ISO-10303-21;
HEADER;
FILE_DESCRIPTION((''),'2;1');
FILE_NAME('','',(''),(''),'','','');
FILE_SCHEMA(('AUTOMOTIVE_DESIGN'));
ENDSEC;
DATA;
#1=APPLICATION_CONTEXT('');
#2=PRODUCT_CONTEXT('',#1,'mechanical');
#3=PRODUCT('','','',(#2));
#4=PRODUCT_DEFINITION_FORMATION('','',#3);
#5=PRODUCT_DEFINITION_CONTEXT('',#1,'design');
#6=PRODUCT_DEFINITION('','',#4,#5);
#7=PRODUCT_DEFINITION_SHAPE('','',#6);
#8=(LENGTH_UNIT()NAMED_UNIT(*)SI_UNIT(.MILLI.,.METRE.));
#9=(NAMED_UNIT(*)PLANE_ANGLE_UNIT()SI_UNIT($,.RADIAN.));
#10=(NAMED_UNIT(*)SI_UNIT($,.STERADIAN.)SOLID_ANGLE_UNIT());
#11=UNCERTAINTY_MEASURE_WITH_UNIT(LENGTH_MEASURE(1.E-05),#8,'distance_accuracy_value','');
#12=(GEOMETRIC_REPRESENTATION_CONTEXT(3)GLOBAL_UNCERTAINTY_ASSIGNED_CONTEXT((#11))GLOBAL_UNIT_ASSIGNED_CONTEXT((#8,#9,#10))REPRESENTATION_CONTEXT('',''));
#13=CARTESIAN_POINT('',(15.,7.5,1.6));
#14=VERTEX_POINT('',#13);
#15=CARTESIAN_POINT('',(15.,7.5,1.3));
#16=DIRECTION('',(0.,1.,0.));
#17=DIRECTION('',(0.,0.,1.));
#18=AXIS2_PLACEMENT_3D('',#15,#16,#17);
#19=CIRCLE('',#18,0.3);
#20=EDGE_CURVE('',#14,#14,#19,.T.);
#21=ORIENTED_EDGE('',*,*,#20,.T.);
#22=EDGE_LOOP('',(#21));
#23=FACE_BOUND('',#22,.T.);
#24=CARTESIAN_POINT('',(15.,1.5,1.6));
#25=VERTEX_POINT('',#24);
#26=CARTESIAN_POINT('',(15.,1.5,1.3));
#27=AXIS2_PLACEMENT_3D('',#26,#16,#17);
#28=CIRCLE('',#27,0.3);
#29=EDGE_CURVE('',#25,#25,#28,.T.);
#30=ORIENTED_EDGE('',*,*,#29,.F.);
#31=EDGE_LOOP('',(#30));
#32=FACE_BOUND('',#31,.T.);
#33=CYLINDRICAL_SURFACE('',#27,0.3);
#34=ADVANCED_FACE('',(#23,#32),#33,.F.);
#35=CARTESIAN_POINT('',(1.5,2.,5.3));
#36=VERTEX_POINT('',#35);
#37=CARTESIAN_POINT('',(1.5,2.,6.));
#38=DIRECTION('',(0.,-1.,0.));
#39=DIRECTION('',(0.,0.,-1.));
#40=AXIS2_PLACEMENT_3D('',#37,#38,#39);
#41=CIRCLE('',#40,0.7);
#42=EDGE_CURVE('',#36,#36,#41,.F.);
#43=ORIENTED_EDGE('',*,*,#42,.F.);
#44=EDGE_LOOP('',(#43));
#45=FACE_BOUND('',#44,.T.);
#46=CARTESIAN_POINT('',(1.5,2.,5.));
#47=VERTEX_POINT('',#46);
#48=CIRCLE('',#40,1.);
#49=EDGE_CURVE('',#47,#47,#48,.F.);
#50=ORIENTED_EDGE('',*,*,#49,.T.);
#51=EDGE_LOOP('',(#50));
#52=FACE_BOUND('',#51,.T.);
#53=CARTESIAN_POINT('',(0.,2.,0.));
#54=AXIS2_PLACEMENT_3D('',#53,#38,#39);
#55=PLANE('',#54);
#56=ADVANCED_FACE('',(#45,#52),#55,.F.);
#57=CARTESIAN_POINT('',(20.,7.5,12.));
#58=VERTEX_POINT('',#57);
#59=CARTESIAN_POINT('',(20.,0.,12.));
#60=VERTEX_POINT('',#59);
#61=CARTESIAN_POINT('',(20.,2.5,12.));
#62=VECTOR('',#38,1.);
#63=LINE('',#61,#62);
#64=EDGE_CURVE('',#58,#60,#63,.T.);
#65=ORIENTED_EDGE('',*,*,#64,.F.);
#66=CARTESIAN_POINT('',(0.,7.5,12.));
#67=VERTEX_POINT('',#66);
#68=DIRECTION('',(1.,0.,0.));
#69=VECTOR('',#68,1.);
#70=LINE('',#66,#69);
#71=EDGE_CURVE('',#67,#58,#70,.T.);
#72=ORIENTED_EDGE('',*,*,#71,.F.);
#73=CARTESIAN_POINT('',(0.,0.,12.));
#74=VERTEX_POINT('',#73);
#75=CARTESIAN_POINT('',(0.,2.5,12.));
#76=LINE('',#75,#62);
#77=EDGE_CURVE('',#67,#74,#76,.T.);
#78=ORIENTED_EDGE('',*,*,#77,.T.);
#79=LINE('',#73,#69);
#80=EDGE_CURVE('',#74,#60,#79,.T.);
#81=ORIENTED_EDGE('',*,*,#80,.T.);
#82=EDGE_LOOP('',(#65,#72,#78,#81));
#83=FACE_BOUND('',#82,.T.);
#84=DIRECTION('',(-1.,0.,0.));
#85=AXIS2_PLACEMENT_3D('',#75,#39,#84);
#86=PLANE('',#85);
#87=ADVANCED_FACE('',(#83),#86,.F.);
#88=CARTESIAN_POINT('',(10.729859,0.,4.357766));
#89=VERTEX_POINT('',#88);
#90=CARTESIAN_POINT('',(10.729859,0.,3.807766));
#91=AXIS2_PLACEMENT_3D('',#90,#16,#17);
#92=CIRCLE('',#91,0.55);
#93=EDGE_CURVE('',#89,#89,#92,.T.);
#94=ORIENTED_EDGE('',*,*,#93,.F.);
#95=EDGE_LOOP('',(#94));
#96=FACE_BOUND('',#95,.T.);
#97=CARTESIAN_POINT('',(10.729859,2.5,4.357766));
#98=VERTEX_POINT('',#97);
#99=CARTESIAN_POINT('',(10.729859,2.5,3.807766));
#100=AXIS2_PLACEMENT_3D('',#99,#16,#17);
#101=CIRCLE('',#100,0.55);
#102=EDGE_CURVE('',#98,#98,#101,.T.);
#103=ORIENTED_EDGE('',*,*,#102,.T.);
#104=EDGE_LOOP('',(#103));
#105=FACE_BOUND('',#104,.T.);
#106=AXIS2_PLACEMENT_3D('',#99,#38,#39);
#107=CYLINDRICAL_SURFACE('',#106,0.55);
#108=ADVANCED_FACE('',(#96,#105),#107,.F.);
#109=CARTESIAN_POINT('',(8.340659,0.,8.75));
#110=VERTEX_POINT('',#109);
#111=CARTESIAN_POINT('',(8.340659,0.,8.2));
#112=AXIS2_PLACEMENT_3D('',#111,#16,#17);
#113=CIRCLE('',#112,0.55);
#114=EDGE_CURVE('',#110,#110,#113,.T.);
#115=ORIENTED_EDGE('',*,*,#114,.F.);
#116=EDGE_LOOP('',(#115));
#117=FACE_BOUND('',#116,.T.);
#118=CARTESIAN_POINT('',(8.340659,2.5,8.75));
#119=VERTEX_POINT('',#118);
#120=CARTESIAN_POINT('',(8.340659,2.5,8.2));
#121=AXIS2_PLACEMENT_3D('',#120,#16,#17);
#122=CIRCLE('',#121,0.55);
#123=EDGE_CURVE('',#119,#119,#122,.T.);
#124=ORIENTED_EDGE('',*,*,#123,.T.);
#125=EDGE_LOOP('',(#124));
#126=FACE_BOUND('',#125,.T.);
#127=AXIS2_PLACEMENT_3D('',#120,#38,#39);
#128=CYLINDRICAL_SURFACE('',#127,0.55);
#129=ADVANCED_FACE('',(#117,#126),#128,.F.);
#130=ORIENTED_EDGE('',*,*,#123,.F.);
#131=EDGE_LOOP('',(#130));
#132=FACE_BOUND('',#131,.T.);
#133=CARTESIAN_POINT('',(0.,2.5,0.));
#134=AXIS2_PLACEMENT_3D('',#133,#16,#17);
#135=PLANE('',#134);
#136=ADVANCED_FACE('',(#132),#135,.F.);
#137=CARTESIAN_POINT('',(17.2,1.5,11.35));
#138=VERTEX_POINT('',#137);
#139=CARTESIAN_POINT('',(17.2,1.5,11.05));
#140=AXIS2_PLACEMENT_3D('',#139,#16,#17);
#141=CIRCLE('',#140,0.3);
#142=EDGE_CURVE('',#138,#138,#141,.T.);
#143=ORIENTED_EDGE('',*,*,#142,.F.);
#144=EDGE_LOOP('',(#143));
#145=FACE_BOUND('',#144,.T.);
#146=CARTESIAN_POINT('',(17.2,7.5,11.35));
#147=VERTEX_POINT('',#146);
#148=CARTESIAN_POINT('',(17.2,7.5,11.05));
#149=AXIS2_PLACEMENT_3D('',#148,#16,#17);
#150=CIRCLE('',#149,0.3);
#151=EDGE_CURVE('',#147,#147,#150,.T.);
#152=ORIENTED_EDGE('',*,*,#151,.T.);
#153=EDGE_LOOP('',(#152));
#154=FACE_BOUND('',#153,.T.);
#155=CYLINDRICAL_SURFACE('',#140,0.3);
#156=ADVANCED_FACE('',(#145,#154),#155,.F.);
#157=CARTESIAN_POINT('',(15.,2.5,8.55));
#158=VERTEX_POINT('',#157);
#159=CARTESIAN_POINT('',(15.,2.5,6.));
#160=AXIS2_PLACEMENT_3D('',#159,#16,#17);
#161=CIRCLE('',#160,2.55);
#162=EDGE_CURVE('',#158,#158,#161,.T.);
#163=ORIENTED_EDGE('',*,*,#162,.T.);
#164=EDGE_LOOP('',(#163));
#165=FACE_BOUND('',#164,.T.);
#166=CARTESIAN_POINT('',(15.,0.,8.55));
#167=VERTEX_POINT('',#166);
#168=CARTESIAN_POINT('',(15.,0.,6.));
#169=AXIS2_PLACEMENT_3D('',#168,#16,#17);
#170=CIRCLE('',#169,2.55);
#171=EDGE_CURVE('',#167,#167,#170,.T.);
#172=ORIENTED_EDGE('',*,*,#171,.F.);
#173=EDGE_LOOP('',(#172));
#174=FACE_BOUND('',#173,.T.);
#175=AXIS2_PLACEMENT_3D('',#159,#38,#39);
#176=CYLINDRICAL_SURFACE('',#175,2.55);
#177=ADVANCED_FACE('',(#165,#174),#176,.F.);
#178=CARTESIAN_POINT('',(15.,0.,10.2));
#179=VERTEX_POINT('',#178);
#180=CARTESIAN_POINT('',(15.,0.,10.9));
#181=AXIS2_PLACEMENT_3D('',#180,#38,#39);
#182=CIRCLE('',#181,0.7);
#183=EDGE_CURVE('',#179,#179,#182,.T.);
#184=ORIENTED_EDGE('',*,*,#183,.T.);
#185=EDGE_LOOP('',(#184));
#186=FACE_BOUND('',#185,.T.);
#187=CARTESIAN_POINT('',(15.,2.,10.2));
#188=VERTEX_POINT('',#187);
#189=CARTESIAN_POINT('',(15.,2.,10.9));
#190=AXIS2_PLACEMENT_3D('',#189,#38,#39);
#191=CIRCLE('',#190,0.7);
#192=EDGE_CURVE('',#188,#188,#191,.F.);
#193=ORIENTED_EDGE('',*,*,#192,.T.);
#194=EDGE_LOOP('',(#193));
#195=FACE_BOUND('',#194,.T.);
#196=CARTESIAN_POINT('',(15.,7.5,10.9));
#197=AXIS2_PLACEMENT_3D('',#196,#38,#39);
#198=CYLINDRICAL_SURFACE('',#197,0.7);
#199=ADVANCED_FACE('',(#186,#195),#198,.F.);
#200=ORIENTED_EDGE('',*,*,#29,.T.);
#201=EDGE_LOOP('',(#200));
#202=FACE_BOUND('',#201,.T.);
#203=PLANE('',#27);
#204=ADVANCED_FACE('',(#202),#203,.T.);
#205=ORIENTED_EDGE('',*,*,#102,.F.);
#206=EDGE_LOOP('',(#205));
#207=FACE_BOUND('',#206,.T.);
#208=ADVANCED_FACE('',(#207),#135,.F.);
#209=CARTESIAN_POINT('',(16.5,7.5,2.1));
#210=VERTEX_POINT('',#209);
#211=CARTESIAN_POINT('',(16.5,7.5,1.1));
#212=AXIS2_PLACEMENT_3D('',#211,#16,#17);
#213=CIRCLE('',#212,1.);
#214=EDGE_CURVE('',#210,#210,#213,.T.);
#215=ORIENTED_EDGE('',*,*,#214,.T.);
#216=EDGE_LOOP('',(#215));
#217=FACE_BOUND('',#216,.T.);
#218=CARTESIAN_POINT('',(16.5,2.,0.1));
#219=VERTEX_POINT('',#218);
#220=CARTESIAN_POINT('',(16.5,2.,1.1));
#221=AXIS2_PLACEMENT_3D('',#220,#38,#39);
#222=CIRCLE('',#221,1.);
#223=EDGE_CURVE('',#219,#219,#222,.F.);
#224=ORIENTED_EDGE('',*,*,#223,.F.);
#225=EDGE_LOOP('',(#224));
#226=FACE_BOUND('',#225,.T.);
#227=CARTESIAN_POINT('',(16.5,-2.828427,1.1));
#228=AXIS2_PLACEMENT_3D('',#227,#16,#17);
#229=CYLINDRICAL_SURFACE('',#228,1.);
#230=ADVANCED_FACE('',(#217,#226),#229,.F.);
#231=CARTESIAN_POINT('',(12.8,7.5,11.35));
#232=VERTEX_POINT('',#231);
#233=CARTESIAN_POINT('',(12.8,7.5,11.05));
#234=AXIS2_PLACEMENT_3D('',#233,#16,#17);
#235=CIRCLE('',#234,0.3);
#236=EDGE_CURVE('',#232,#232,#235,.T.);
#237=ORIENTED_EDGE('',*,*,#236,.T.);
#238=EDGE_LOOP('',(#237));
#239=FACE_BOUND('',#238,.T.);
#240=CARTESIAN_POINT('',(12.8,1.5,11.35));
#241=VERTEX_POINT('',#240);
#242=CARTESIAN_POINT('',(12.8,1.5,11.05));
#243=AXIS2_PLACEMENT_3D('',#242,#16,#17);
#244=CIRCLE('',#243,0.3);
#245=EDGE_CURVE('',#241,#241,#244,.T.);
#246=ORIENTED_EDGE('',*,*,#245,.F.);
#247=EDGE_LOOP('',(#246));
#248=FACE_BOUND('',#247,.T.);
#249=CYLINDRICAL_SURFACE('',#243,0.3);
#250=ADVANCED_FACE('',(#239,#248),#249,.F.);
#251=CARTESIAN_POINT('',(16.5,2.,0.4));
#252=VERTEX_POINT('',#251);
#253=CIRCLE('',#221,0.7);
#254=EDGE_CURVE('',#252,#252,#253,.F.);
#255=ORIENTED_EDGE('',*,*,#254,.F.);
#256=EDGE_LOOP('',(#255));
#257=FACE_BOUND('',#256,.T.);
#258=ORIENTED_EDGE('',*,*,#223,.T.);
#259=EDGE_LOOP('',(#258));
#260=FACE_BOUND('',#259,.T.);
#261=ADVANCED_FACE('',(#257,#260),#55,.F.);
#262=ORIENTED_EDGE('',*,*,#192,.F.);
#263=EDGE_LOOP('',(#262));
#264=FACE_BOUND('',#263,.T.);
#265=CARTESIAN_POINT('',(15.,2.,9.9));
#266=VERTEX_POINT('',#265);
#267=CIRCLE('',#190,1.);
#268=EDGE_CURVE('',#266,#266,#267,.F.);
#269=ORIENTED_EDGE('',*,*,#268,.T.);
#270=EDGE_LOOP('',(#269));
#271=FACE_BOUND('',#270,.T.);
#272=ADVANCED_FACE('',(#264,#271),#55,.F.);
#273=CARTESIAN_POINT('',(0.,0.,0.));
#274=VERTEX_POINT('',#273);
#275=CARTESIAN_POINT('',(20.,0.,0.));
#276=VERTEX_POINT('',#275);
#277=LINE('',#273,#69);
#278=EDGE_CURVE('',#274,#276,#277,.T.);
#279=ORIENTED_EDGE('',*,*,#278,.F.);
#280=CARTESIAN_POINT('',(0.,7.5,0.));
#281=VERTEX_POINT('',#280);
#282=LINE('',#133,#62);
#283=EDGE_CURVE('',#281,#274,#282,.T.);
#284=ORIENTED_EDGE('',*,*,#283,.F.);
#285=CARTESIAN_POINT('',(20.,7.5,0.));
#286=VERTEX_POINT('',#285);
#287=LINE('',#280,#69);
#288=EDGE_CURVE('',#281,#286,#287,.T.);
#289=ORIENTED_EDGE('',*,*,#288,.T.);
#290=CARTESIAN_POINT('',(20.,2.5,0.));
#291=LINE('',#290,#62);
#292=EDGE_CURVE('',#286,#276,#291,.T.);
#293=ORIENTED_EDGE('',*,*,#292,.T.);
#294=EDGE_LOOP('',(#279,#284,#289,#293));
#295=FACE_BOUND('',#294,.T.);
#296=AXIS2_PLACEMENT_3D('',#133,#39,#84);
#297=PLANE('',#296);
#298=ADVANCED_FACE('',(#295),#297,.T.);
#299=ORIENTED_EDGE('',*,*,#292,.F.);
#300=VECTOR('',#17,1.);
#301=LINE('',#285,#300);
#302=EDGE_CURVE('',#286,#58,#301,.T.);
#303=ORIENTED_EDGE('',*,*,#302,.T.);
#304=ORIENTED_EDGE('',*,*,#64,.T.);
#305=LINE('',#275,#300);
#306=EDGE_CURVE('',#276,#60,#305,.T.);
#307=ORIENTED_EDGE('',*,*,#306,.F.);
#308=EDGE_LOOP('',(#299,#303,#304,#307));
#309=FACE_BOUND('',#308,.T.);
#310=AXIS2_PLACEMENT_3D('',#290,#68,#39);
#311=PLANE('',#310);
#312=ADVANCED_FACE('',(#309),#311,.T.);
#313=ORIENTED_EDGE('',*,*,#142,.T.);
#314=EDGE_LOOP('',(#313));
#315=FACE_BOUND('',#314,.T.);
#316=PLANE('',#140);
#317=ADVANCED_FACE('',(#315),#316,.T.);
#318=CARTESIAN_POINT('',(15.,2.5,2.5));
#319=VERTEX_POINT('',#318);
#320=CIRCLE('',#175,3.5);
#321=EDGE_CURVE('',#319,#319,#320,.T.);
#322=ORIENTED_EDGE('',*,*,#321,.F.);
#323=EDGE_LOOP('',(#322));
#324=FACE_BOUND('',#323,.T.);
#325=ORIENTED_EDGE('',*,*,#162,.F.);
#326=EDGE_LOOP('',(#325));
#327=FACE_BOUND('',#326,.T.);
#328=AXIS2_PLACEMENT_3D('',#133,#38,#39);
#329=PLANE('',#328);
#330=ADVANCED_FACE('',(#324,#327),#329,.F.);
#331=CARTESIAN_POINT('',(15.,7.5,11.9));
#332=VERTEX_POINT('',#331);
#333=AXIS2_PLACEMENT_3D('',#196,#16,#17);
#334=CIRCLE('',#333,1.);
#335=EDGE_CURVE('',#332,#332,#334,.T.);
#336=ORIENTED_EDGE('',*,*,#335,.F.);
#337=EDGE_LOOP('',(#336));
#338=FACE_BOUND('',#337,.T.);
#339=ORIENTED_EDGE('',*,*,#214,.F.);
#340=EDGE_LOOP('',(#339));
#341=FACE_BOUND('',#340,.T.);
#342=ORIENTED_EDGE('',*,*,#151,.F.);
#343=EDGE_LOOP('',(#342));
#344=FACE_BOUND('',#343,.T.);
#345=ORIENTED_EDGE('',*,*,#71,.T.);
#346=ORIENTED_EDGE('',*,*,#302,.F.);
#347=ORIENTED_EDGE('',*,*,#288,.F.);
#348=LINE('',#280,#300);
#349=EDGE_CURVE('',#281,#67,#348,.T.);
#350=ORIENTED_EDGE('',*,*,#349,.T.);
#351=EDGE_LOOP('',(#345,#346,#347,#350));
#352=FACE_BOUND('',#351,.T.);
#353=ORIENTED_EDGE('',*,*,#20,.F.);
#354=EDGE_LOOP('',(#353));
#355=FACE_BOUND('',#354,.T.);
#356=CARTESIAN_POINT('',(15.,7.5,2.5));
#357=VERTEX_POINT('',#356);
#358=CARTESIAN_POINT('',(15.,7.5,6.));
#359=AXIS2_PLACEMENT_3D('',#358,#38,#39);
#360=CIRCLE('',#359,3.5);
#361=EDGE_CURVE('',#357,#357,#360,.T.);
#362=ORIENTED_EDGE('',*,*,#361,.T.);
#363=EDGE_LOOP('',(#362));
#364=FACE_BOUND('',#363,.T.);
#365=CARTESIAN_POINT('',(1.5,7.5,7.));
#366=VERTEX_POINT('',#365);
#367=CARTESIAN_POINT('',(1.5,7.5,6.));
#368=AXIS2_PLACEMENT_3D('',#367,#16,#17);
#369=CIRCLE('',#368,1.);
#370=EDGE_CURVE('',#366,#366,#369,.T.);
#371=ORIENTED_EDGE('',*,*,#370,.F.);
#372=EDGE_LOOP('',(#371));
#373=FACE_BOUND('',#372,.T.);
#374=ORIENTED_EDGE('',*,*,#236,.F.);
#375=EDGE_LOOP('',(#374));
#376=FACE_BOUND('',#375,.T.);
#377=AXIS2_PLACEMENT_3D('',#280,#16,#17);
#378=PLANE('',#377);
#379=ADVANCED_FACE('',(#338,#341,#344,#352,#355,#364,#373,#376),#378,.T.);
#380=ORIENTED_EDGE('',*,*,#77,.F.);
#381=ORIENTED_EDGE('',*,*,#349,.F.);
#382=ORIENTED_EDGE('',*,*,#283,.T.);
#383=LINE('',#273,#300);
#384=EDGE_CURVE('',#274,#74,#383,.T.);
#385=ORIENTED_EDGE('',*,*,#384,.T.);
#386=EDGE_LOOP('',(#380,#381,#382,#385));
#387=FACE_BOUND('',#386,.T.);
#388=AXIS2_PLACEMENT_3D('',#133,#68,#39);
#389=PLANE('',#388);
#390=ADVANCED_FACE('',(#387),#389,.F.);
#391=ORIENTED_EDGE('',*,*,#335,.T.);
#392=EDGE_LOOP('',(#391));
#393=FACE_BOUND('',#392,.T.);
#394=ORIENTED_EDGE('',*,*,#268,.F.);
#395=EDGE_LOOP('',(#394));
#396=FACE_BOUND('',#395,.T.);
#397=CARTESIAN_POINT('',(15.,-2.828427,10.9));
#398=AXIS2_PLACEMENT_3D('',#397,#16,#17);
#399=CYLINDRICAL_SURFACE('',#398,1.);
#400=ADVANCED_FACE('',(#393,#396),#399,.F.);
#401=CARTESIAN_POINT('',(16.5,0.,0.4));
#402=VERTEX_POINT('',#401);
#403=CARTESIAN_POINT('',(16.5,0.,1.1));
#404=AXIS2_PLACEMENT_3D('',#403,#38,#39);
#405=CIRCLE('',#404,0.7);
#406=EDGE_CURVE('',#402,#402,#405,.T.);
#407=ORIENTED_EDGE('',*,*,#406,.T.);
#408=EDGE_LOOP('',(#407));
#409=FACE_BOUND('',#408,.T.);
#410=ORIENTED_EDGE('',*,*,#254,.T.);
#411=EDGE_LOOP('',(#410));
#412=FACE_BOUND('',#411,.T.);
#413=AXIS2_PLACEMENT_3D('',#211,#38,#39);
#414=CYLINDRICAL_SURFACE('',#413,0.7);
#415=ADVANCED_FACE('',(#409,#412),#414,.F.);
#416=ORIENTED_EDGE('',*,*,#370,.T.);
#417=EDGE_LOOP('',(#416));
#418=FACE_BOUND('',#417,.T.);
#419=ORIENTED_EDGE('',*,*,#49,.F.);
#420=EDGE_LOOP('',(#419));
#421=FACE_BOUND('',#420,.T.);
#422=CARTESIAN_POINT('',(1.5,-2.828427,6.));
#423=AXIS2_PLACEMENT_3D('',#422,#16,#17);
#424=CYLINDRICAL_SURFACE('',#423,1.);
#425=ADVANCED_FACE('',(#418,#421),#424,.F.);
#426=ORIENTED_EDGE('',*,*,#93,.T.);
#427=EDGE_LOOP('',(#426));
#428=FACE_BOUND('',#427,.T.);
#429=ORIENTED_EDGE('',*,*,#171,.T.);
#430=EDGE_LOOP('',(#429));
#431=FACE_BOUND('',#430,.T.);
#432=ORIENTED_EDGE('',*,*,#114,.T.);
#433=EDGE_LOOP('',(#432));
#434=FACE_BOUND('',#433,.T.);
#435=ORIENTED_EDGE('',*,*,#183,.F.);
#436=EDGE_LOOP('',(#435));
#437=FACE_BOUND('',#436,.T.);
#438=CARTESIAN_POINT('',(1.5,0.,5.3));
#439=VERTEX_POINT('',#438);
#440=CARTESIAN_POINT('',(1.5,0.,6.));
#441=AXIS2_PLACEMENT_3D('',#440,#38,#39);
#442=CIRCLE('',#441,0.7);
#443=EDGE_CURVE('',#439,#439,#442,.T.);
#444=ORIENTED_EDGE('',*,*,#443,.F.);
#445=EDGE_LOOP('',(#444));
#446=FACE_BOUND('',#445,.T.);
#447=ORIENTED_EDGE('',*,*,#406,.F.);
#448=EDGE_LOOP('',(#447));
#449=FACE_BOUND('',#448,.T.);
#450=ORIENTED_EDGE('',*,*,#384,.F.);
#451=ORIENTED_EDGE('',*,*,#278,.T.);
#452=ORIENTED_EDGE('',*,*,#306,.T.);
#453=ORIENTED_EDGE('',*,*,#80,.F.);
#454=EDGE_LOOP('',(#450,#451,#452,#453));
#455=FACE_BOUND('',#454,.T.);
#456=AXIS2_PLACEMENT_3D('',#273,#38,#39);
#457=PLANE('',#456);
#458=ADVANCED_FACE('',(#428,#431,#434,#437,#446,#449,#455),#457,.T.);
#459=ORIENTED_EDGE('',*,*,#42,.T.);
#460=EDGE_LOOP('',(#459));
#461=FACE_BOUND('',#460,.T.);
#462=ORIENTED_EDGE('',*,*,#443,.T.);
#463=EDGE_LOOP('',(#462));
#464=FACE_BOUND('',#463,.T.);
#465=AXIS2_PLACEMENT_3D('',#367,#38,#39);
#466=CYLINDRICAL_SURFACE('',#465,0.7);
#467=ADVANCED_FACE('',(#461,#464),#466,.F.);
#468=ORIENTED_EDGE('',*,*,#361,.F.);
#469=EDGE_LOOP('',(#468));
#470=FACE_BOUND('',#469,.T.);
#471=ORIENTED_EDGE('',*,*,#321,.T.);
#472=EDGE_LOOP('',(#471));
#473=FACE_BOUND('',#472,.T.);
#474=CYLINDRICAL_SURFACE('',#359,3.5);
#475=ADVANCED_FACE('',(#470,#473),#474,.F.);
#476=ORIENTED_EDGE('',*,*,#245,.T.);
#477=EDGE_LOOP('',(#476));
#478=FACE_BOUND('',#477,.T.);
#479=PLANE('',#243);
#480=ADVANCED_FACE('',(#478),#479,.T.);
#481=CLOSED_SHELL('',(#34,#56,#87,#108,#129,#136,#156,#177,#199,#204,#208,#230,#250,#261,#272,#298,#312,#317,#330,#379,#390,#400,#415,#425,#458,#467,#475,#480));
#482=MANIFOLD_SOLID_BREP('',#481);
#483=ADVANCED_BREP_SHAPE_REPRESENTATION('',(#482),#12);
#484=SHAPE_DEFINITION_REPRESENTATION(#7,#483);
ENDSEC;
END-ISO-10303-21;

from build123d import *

# Parameters (mm, degrees)
SKETCH_1_W          = 20
SKETCH_1_H          = 12
EXTRUDE_1_DEPTH     = 2.5
SKETCH_1_9_R        = 0.55
SKETCH_1_9_R_2      = 2.55
CUT_EXTRUDE_3_DEPTH = 2.5
EXTRUDE_START       = 2.5
SKETCH_1_10_W       = 20
SKETCH_1_10_H       = 12
SKETCH_1_10_R       = 3.5
EXTRUDE_2_DEPTH     = 5
SKETCH_2_R          = 0.7
CUT_EXTRUDE_4_DEPTH = 25.5
CUT_EXTRUDE_START   = -7.5
SKETCH_2_3_R        = 1
CUT_EXTRUDE_5_DEPTH = 5.5
SKETCH_2_6_R        = 0.3
CUT_EXTRUDE_6_DEPTH = 6


with BuildPart() as part:
    # 草图1 → 凸台-拉伸1 (new body)
    with BuildSketch(Plane(origin=(0, 0, 0), x_dir=(1, 0, 0), z_dir=(0, 1, 0))):
        with Locations((10, -6)):
            Rectangle(SKETCH_1_W, SKETCH_1_H)
    extrude(amount=EXTRUDE_1_DEPTH)

    # 草图1<9> → 切除-拉伸3 (cut)
    with BuildSketch(Plane(origin=(0, 0, 0), x_dir=(1, 0, 0), z_dir=(0, 1, 0))):
        with Locations(Location((8.340658618, -8.2, 0), (0, 0, 270))):
            Circle(SKETCH_1_9_R)
        with Locations(Location((10.72985855, -3.807765525, 0), (0, 0, 270))):
            Circle(SKETCH_1_9_R)
        with Locations(Location((15, -6, 0), (0, 0, 270))):
            Circle(SKETCH_1_9_R_2)
    extrude(amount=CUT_EXTRUDE_3_DEPTH, mode=Mode.SUBTRACT)

    # 草图1<10> → 凸台-拉伸2 (add)
    with BuildSketch(Plane(origin=(0, 0, 0), x_dir=(1, 0, 0), z_dir=(0, 1, 0)).offset(EXTRUDE_START)):
        with Locations((10, -6)):
            Rectangle(SKETCH_1_10_W, SKETCH_1_10_H)
        with Locations(Location((15, -6, 0), (0, 0, 90))):
            Circle(SKETCH_1_10_R, mode=Mode.SUBTRACT)
    extrude(amount=EXTRUDE_2_DEPTH)

    # 草图2 → 切除-拉伸4 (cut, through all)
    with BuildSketch(Plane.XZ):
        with Locations(Location((15, 10.9, 0), (0, 0, 270))):
            Circle(SKETCH_2_R)
        with Locations(Location((1.5, 6, 0), (0, 0, 270))):
            Circle(SKETCH_2_R)
        with Locations(Location((16.5, 1.1, 0), (0, 0, 270))):
            Circle(SKETCH_2_R)
    extrude(amount=-CUT_EXTRUDE_4_DEPTH, mode=Mode.SUBTRACT)

    # 草图2<3> → 切除-拉伸5 (cut)
    with BuildSketch(Plane.XZ.offset(CUT_EXTRUDE_START)):
        with Locations(Location((16.5, 1.1, 0), (0, 0, 90))):
            Circle(SKETCH_2_3_R)
        with Locations(Location((15, 10.9, 0), (0, 0, 90))):
            Circle(SKETCH_2_3_R)
        with Locations(Location((1.5, 6, 0), (0, 0, 90))):
            Circle(SKETCH_2_3_R)
    extrude(amount=CUT_EXTRUDE_5_DEPTH, mode=Mode.SUBTRACT)

    # 草图2<6> → 切除-拉伸6 (cut)
    with BuildSketch(Plane.XZ.offset(CUT_EXTRUDE_START)):
        with Locations(Location((12.8, 11.05, 0), (0, 0, 90))):
            Circle(SKETCH_2_6_R)
        with Locations(Location((17.2, 11.05, 0), (0, 0, 90))):
            Circle(SKETCH_2_6_R)
        with Locations(Location((15, 1.3, 0), (0, 0, 90))):
            Circle(SKETCH_2_6_R)
    extrude(amount=CUT_EXTRUDE_6_DEPTH, mode=Mode.SUBTRACT)


solid = part.part
